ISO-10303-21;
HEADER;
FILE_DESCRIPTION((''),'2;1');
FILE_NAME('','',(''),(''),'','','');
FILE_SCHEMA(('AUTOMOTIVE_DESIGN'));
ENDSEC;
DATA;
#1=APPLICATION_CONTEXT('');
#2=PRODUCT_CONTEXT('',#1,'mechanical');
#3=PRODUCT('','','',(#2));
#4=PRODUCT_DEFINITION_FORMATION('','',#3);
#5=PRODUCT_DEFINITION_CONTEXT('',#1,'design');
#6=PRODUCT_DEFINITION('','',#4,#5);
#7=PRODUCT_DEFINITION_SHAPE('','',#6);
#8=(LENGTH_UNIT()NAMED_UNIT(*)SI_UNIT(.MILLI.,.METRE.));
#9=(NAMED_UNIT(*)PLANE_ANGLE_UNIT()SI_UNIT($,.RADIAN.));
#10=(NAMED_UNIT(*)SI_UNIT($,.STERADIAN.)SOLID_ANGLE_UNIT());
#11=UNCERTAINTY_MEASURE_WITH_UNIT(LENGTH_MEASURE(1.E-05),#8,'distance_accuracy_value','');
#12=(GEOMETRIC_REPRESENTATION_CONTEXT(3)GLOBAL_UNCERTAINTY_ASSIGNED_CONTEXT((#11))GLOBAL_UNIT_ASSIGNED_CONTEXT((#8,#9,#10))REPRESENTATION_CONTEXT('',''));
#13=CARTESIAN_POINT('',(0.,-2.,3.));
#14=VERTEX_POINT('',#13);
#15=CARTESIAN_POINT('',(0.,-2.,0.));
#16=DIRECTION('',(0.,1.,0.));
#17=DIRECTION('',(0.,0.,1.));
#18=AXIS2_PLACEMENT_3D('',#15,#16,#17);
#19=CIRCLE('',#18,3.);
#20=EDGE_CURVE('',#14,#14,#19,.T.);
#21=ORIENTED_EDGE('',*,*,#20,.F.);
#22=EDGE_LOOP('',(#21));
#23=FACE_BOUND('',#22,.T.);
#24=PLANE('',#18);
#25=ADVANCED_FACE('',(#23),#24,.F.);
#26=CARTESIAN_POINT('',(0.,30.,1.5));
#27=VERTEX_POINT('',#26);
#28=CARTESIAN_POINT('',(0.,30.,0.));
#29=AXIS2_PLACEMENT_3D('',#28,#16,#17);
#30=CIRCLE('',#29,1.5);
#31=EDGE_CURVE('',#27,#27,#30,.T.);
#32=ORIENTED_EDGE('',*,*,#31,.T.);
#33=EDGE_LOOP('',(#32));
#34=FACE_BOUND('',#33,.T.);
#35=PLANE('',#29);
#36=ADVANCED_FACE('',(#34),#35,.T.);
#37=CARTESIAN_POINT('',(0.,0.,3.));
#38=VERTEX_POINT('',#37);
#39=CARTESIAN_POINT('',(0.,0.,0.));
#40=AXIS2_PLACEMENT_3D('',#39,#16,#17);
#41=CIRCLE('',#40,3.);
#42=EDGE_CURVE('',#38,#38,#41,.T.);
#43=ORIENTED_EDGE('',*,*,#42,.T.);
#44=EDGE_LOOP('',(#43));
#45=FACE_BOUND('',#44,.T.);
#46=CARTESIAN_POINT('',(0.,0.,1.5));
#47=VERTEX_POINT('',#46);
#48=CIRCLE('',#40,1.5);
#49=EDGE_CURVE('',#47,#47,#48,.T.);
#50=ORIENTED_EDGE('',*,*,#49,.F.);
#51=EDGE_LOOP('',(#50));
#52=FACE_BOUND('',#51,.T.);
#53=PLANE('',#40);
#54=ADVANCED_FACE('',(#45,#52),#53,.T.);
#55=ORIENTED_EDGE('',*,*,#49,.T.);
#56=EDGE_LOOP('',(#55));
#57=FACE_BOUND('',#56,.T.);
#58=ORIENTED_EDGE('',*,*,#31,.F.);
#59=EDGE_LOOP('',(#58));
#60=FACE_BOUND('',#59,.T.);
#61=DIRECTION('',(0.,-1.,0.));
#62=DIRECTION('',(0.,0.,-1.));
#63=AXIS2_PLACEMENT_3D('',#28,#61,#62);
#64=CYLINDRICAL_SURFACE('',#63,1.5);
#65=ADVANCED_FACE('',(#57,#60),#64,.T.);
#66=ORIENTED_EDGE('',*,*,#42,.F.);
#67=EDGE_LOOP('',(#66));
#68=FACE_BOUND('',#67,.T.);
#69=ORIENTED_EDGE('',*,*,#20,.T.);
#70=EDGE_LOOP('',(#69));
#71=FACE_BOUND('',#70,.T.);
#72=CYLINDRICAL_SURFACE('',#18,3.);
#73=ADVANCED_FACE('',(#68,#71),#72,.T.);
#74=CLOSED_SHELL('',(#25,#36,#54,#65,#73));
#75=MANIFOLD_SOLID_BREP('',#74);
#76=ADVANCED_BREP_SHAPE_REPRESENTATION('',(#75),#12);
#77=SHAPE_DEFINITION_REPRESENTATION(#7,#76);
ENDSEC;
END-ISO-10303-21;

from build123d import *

# Parameters (mm, degrees)
SKETCH1_R           = 1.5
BOSS_EXTRUDE1_DEPTH = 30
SKETCH2_R           = 3
BOSS_EXTRUDE2_DEPTH = 2


with BuildPart() as part:
    # Sketch1 → Boss-Extrude1 (new body)
    with BuildSketch(Plane(origin=(0, 0, 0), x_dir=(1, 0, 0), z_dir=(0, 1, 0))):
        with Locations(Location((0, 0, 0), (0, 0, 270))):
            Circle(SKETCH1_R)
    extrude(amount=BOSS_EXTRUDE1_DEPTH)

    # Sketch2 → Boss-Extrude2 (add)
    with BuildSketch(Plane(origin=(0, 0, 0), x_dir=(1, 0, 0), z_dir=(0, 1, 0))):
        with Locations(Location((0, 0, 0), (0, 0, 270))):
            Circle(SKETCH2_R)
    extrude(amount=-BOSS_EXTRUDE2_DEPTH)


solid = part.part
